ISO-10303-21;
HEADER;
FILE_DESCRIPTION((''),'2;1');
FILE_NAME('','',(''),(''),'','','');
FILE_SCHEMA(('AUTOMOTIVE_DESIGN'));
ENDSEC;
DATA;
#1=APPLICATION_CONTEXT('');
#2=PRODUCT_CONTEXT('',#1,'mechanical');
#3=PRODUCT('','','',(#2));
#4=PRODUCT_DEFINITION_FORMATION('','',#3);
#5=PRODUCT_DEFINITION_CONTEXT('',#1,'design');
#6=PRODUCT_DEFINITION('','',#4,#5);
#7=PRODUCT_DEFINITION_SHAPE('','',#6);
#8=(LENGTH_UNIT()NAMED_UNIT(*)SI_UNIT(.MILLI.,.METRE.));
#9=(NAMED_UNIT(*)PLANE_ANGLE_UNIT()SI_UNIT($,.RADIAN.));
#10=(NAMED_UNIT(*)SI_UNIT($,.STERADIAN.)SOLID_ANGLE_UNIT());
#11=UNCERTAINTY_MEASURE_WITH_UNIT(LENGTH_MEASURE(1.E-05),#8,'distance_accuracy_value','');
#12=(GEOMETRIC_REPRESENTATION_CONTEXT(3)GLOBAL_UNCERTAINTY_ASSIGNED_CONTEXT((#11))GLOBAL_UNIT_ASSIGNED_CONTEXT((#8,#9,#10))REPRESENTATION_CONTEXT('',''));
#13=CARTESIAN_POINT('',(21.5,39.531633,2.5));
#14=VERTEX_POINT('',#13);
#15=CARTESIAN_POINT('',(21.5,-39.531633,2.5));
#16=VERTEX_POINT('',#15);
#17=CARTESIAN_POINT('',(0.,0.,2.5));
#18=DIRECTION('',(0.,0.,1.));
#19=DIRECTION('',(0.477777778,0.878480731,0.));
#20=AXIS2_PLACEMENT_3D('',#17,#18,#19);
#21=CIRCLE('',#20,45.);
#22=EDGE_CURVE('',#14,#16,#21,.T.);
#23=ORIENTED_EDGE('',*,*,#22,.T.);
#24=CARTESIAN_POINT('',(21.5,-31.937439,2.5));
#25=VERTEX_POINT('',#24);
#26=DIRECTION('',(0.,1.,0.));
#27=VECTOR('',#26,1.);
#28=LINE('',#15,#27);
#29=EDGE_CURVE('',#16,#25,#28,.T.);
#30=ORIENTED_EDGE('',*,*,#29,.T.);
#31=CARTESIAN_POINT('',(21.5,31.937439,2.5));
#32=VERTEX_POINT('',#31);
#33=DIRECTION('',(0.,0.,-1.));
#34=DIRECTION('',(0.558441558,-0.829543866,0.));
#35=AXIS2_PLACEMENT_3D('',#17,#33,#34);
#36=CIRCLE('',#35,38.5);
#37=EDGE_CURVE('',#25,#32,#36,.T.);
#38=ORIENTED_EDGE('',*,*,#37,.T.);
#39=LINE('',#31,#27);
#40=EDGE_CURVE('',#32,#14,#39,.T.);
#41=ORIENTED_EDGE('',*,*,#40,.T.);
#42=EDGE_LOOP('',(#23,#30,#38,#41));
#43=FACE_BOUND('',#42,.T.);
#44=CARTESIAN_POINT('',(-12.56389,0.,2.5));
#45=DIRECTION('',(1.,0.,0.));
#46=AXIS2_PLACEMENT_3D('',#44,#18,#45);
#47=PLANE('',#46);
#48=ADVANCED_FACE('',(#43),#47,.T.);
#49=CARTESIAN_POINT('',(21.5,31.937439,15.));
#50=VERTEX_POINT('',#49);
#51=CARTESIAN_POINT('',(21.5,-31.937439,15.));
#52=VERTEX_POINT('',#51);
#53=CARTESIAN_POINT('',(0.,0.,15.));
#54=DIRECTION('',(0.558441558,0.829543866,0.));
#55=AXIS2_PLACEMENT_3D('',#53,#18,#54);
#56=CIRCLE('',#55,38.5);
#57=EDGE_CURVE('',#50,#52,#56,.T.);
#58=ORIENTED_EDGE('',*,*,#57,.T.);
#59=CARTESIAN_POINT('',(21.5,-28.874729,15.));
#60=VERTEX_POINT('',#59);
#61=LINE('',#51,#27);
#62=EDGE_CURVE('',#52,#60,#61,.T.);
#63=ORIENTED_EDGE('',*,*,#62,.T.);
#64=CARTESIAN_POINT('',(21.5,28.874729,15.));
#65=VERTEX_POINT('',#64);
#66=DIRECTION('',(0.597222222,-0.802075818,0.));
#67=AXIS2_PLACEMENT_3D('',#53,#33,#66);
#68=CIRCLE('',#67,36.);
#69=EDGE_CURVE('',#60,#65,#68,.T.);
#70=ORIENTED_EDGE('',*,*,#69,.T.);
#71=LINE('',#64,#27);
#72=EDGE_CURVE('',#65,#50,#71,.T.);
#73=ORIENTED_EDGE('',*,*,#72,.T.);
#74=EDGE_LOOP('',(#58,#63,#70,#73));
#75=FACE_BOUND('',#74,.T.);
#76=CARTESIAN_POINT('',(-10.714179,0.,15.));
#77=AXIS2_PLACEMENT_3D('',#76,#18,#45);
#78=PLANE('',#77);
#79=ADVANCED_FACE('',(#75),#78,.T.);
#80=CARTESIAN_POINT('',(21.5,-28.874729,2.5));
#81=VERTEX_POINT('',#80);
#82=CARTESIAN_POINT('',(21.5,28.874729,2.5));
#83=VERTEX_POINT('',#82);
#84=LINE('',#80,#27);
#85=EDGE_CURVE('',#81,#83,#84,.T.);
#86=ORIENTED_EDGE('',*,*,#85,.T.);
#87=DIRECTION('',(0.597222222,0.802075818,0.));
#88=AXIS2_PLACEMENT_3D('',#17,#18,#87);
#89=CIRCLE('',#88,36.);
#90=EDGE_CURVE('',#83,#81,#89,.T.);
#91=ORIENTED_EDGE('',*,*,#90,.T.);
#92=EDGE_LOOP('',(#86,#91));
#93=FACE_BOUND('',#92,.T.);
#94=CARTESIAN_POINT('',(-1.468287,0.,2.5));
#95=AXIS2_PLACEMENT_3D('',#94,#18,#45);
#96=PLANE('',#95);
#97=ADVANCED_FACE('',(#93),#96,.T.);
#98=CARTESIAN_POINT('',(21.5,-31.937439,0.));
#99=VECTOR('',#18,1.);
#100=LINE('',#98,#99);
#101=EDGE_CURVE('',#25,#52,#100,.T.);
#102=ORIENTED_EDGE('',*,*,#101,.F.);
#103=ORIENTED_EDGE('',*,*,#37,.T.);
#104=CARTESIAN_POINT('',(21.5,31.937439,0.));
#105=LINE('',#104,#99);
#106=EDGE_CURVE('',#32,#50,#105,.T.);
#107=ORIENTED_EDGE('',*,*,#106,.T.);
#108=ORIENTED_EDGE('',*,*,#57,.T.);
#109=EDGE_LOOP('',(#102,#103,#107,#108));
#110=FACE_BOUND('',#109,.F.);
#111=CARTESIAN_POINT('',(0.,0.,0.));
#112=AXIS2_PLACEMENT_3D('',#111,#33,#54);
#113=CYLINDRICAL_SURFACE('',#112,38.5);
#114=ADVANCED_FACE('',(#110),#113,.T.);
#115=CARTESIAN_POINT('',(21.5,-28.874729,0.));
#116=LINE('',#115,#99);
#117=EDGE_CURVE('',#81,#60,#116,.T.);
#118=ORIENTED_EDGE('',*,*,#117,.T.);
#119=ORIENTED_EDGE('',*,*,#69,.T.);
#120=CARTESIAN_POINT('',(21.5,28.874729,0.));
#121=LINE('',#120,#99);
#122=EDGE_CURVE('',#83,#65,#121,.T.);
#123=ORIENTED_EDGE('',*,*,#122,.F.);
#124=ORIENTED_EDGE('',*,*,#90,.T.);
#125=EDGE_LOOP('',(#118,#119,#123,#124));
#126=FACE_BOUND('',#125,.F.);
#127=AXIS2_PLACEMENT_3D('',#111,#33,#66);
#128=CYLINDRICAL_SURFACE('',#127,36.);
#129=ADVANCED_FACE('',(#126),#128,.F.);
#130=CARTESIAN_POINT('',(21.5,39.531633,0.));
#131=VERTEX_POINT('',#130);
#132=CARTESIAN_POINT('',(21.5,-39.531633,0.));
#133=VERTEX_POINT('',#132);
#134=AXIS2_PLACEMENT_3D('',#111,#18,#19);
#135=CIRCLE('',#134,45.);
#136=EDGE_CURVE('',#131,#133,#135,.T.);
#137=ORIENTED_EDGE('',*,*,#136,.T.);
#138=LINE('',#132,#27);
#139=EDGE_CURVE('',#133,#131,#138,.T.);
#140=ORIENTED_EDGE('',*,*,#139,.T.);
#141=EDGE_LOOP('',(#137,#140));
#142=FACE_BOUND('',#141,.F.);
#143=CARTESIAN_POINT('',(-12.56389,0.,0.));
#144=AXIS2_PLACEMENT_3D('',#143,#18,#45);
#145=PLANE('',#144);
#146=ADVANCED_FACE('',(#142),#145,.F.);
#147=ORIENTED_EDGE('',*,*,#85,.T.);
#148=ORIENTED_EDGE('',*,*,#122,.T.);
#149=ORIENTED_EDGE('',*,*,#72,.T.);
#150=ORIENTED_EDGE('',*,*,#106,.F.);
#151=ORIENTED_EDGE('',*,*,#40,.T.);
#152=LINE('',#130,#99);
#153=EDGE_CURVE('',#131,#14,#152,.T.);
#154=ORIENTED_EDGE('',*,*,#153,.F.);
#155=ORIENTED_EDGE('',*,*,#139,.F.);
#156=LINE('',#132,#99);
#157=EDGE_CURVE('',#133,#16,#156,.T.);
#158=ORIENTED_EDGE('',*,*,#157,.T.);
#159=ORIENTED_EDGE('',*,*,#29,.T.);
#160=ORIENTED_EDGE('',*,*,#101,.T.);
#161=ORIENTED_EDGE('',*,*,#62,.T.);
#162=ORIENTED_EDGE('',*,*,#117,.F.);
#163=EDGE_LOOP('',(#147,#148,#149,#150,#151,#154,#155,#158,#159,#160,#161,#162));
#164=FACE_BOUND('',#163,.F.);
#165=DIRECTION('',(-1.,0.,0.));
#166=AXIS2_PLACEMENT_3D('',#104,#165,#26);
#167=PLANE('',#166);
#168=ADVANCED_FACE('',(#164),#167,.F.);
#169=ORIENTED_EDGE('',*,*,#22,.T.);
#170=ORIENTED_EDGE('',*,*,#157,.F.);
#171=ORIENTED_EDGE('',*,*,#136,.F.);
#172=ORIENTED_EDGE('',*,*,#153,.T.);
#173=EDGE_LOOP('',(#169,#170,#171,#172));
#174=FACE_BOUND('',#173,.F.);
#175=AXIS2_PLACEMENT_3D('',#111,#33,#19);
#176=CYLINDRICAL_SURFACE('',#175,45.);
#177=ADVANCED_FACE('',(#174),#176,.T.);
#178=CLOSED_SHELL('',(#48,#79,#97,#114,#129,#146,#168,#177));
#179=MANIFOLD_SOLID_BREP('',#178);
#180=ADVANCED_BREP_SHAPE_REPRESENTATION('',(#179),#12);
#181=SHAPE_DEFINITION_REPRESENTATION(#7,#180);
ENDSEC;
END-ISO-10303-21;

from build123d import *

# Parameters (mm, degrees)
F1_DEPTH = 15
F2_DEPTH = 2.5


with BuildPart() as f1:
    # F0 (on Top) → F1 (new body)
    with BuildSketch(Plane.XY):
        with BuildLine():
            Line((21.5, 28.874729436), (21.5, 31.9374388453))
            ThreePointArc((21.5, 31.9374388453), (-38.5, 0), (21.5, -31.9374388453))
            Line((21.5, -31.9374388453), (21.5, -28.874729436))
            ThreePointArc((21.5, -28.874729436), (-36, 0), (21.5, 28.874729436))
        make_face()
    extrude(amount=F1_DEPTH)

    # F0 (on Top) → F2 (join)
    with BuildSketch(Plane.XY):
        with BuildLine():
            ThreePointArc((21.5, -31.9374388453), (-38.5, 0), (21.5, 31.9374388453))
            Line((21.5, 31.9374388453), (21.5, 39.5316329033))
            ThreePointArc((21.5, 39.5316329033), (-45, 0), (21.5, -39.5316329033))
            Line((21.5, -39.5316329033), (21.5, -31.9374388453))
        make_face()
        with BuildLine():
            Line((21.5, -28.874729436), (21.5, 28.874729436))
            ThreePointArc((21.5, 28.874729436), (-36, 0), (21.5, -28.874729436))
        make_face()
    extrude(amount=F2_DEPTH)


solid = f1.part
